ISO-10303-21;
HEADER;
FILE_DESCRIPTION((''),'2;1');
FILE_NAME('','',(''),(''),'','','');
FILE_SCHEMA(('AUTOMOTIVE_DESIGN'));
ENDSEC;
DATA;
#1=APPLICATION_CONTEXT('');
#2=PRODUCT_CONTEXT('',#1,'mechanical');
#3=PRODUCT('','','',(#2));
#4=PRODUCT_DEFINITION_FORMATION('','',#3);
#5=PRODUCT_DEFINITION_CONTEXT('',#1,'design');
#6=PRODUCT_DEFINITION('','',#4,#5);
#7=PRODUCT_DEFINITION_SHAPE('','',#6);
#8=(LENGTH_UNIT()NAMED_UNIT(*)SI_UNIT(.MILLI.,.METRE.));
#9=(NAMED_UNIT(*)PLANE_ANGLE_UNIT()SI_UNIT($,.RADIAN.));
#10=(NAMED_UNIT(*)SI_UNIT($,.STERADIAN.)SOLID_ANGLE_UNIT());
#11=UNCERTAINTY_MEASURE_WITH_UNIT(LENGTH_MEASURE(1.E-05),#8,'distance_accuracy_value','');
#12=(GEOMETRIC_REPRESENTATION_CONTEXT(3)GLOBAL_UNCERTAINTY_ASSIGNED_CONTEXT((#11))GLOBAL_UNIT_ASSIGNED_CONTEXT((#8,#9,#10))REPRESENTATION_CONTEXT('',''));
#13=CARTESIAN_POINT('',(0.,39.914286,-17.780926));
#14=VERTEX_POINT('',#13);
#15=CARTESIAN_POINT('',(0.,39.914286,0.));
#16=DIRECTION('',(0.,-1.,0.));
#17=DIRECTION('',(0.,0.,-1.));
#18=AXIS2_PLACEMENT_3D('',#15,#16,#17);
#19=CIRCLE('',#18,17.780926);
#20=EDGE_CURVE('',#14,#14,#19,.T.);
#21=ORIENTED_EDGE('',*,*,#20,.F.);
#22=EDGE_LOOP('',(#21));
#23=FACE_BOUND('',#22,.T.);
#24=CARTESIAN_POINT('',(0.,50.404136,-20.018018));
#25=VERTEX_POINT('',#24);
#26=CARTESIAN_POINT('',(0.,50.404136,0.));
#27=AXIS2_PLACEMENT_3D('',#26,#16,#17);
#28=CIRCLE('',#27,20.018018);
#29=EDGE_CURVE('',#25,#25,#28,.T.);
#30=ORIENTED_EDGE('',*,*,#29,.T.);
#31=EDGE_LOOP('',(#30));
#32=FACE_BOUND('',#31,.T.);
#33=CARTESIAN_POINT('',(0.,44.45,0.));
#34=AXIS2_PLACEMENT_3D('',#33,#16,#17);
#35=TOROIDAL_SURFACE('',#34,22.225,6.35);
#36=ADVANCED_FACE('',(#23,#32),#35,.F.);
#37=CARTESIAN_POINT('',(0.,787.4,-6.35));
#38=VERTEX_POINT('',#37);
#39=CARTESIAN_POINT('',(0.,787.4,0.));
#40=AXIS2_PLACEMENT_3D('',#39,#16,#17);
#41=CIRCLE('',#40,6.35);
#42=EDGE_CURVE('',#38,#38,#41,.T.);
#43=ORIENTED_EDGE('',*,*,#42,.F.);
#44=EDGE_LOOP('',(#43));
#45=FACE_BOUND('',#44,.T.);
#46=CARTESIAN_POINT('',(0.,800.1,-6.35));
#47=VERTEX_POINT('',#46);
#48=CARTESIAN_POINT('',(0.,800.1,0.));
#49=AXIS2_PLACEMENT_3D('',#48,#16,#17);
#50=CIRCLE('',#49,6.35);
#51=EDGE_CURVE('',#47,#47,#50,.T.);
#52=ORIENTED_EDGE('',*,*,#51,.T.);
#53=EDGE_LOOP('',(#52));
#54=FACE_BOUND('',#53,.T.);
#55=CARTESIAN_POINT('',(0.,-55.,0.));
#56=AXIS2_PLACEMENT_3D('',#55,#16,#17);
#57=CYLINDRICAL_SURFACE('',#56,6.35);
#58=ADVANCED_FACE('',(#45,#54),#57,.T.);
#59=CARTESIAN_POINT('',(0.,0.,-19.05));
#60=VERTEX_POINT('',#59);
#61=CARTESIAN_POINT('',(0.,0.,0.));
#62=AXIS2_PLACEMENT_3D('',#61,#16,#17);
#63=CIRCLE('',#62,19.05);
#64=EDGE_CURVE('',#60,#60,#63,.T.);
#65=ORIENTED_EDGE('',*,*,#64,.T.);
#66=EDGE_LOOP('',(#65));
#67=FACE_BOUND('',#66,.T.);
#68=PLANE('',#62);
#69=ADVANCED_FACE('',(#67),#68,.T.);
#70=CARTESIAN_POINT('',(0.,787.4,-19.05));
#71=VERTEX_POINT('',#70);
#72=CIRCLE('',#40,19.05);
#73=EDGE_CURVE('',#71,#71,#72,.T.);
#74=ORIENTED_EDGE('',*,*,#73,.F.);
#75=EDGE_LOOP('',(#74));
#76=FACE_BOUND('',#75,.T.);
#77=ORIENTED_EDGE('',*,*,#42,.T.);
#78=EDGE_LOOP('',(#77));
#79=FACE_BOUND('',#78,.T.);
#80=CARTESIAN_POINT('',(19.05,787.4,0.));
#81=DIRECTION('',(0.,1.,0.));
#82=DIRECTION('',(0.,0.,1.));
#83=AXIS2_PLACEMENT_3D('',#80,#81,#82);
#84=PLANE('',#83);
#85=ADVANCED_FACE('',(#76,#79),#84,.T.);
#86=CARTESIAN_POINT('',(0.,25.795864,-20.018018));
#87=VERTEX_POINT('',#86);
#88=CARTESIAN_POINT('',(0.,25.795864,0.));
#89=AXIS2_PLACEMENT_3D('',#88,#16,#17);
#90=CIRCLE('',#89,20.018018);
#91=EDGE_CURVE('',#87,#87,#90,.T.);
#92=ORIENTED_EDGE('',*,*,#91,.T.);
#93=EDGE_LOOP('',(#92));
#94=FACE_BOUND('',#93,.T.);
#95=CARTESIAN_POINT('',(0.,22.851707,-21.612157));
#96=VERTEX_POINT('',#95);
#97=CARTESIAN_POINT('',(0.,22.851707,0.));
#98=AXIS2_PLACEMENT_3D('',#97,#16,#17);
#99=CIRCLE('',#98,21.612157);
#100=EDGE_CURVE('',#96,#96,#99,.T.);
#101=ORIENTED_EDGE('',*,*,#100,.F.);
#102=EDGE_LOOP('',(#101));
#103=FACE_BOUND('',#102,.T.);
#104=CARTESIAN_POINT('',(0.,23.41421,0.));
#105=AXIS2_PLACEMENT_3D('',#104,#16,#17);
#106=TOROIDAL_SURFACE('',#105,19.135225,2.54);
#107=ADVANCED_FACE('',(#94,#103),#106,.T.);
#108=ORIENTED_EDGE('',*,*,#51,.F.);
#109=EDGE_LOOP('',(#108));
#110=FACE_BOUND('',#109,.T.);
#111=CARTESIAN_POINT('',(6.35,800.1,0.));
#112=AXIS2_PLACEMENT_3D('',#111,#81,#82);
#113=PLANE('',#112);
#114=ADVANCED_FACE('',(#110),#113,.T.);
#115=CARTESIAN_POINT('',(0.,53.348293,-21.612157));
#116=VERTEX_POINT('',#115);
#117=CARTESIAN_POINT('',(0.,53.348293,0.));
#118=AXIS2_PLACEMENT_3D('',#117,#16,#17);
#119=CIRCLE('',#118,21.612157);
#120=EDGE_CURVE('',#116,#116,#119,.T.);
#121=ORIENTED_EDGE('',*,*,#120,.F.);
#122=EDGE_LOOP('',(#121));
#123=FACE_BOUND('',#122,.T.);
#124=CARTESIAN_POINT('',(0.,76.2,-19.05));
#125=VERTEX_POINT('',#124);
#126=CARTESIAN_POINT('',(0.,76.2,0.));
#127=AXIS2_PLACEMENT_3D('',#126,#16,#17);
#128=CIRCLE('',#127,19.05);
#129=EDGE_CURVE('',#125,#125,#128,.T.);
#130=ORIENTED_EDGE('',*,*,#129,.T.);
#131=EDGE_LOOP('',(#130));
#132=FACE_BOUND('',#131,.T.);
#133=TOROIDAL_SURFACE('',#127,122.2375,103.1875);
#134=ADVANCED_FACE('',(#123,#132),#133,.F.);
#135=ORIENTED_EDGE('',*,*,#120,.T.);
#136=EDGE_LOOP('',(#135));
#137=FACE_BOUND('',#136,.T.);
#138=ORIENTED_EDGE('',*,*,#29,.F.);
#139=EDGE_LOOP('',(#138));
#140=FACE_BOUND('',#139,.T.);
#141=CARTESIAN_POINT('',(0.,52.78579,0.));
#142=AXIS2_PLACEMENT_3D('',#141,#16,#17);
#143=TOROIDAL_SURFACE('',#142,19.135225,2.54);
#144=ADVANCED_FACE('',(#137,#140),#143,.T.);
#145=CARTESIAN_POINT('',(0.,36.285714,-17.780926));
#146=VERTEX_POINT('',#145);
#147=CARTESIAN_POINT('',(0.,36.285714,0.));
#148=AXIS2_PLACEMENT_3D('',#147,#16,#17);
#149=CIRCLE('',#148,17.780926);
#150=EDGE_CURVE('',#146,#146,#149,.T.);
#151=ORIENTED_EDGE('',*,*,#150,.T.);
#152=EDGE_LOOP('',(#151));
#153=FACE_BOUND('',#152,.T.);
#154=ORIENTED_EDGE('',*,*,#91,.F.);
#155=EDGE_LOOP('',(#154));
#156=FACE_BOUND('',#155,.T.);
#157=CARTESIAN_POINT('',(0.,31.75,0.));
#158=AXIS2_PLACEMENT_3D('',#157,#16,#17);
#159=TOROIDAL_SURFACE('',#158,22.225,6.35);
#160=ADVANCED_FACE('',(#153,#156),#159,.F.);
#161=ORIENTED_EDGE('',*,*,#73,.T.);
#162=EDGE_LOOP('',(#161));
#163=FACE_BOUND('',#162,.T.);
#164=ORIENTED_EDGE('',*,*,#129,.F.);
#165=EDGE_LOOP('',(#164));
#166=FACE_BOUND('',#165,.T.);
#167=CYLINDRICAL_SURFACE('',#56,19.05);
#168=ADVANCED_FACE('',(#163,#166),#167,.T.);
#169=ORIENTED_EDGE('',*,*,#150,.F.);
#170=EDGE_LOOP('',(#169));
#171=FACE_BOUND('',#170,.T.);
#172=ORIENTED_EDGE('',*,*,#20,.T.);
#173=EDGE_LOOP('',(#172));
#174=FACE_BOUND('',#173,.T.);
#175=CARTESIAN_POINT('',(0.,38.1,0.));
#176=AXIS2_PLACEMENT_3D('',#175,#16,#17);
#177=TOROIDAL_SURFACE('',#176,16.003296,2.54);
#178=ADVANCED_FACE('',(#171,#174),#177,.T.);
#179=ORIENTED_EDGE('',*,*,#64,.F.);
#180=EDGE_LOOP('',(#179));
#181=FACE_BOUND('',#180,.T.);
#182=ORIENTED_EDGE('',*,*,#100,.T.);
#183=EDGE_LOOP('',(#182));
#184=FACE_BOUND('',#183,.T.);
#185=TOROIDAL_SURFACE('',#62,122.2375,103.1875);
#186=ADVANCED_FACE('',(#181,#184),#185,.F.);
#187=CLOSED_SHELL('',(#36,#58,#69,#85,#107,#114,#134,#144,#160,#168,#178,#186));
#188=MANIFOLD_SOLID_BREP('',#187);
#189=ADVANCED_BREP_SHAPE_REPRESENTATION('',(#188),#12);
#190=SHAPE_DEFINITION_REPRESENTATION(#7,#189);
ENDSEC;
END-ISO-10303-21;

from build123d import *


with BuildPart() as part:
    # revolve sketch → Revolve1 (revolve)
    with BuildSketch(Plane.XY, mode=Mode.PRIVATE) as revolve1_sk:
        with BuildLine():
            Line((0, 0), (19.05, 0))
            ThreePointArc((19.05, 0), (19.692539758, 11.497446902), (21.612156952, 22.851706562))
            ThreePointArc((21.612156952, 22.851706562), (21.368821871, 24.623609523), (20.018018165, 25.795864363))
            ThreePointArc((20.018018165, 25.795864363), (17.012666806, 28.123144244), (15.875, 31.75))
            ThreePointArc((15.875, 31.75), (16.370840305, 34.209941923), (17.780925752, 36.285714286))
            ThreePointArc((17.780925752, 36.285714286), (18.543296053, 38.1), (17.780925752, 39.914285714))
            ThreePointArc((17.780925752, 39.914285714), (16.370840305, 41.990058077), (15.875, 44.45))
            ThreePointArc((15.875, 44.45), (17.012666806, 48.076855756), (20.018018165, 50.404135637))
            ThreePointArc((20.018018165, 50.404135637), (21.368821871, 51.576390477), (21.612156952, 53.348293438))
            ThreePointArc((21.612156952, 53.348293438), (19.692539758, 64.702553098), (19.05, 76.2))
            Line((19.05, 76.2), (19.05, 787.4))
            Line((19.05, 787.4), (6.35, 787.4))
            Line((6.35, 787.4), (6.35, 800.1))
            Line((6.35, 800.1), (0, 800.1))
            Line((0, 800.1), (0, 0))
        make_face()
    revolve(revolve1_sk.sketch.rotate(Axis((0, -55, 0), (0, 1, 0)), 90), axis=Axis((0, -55, 0), (0, 1, 0)))


solid = part.part
